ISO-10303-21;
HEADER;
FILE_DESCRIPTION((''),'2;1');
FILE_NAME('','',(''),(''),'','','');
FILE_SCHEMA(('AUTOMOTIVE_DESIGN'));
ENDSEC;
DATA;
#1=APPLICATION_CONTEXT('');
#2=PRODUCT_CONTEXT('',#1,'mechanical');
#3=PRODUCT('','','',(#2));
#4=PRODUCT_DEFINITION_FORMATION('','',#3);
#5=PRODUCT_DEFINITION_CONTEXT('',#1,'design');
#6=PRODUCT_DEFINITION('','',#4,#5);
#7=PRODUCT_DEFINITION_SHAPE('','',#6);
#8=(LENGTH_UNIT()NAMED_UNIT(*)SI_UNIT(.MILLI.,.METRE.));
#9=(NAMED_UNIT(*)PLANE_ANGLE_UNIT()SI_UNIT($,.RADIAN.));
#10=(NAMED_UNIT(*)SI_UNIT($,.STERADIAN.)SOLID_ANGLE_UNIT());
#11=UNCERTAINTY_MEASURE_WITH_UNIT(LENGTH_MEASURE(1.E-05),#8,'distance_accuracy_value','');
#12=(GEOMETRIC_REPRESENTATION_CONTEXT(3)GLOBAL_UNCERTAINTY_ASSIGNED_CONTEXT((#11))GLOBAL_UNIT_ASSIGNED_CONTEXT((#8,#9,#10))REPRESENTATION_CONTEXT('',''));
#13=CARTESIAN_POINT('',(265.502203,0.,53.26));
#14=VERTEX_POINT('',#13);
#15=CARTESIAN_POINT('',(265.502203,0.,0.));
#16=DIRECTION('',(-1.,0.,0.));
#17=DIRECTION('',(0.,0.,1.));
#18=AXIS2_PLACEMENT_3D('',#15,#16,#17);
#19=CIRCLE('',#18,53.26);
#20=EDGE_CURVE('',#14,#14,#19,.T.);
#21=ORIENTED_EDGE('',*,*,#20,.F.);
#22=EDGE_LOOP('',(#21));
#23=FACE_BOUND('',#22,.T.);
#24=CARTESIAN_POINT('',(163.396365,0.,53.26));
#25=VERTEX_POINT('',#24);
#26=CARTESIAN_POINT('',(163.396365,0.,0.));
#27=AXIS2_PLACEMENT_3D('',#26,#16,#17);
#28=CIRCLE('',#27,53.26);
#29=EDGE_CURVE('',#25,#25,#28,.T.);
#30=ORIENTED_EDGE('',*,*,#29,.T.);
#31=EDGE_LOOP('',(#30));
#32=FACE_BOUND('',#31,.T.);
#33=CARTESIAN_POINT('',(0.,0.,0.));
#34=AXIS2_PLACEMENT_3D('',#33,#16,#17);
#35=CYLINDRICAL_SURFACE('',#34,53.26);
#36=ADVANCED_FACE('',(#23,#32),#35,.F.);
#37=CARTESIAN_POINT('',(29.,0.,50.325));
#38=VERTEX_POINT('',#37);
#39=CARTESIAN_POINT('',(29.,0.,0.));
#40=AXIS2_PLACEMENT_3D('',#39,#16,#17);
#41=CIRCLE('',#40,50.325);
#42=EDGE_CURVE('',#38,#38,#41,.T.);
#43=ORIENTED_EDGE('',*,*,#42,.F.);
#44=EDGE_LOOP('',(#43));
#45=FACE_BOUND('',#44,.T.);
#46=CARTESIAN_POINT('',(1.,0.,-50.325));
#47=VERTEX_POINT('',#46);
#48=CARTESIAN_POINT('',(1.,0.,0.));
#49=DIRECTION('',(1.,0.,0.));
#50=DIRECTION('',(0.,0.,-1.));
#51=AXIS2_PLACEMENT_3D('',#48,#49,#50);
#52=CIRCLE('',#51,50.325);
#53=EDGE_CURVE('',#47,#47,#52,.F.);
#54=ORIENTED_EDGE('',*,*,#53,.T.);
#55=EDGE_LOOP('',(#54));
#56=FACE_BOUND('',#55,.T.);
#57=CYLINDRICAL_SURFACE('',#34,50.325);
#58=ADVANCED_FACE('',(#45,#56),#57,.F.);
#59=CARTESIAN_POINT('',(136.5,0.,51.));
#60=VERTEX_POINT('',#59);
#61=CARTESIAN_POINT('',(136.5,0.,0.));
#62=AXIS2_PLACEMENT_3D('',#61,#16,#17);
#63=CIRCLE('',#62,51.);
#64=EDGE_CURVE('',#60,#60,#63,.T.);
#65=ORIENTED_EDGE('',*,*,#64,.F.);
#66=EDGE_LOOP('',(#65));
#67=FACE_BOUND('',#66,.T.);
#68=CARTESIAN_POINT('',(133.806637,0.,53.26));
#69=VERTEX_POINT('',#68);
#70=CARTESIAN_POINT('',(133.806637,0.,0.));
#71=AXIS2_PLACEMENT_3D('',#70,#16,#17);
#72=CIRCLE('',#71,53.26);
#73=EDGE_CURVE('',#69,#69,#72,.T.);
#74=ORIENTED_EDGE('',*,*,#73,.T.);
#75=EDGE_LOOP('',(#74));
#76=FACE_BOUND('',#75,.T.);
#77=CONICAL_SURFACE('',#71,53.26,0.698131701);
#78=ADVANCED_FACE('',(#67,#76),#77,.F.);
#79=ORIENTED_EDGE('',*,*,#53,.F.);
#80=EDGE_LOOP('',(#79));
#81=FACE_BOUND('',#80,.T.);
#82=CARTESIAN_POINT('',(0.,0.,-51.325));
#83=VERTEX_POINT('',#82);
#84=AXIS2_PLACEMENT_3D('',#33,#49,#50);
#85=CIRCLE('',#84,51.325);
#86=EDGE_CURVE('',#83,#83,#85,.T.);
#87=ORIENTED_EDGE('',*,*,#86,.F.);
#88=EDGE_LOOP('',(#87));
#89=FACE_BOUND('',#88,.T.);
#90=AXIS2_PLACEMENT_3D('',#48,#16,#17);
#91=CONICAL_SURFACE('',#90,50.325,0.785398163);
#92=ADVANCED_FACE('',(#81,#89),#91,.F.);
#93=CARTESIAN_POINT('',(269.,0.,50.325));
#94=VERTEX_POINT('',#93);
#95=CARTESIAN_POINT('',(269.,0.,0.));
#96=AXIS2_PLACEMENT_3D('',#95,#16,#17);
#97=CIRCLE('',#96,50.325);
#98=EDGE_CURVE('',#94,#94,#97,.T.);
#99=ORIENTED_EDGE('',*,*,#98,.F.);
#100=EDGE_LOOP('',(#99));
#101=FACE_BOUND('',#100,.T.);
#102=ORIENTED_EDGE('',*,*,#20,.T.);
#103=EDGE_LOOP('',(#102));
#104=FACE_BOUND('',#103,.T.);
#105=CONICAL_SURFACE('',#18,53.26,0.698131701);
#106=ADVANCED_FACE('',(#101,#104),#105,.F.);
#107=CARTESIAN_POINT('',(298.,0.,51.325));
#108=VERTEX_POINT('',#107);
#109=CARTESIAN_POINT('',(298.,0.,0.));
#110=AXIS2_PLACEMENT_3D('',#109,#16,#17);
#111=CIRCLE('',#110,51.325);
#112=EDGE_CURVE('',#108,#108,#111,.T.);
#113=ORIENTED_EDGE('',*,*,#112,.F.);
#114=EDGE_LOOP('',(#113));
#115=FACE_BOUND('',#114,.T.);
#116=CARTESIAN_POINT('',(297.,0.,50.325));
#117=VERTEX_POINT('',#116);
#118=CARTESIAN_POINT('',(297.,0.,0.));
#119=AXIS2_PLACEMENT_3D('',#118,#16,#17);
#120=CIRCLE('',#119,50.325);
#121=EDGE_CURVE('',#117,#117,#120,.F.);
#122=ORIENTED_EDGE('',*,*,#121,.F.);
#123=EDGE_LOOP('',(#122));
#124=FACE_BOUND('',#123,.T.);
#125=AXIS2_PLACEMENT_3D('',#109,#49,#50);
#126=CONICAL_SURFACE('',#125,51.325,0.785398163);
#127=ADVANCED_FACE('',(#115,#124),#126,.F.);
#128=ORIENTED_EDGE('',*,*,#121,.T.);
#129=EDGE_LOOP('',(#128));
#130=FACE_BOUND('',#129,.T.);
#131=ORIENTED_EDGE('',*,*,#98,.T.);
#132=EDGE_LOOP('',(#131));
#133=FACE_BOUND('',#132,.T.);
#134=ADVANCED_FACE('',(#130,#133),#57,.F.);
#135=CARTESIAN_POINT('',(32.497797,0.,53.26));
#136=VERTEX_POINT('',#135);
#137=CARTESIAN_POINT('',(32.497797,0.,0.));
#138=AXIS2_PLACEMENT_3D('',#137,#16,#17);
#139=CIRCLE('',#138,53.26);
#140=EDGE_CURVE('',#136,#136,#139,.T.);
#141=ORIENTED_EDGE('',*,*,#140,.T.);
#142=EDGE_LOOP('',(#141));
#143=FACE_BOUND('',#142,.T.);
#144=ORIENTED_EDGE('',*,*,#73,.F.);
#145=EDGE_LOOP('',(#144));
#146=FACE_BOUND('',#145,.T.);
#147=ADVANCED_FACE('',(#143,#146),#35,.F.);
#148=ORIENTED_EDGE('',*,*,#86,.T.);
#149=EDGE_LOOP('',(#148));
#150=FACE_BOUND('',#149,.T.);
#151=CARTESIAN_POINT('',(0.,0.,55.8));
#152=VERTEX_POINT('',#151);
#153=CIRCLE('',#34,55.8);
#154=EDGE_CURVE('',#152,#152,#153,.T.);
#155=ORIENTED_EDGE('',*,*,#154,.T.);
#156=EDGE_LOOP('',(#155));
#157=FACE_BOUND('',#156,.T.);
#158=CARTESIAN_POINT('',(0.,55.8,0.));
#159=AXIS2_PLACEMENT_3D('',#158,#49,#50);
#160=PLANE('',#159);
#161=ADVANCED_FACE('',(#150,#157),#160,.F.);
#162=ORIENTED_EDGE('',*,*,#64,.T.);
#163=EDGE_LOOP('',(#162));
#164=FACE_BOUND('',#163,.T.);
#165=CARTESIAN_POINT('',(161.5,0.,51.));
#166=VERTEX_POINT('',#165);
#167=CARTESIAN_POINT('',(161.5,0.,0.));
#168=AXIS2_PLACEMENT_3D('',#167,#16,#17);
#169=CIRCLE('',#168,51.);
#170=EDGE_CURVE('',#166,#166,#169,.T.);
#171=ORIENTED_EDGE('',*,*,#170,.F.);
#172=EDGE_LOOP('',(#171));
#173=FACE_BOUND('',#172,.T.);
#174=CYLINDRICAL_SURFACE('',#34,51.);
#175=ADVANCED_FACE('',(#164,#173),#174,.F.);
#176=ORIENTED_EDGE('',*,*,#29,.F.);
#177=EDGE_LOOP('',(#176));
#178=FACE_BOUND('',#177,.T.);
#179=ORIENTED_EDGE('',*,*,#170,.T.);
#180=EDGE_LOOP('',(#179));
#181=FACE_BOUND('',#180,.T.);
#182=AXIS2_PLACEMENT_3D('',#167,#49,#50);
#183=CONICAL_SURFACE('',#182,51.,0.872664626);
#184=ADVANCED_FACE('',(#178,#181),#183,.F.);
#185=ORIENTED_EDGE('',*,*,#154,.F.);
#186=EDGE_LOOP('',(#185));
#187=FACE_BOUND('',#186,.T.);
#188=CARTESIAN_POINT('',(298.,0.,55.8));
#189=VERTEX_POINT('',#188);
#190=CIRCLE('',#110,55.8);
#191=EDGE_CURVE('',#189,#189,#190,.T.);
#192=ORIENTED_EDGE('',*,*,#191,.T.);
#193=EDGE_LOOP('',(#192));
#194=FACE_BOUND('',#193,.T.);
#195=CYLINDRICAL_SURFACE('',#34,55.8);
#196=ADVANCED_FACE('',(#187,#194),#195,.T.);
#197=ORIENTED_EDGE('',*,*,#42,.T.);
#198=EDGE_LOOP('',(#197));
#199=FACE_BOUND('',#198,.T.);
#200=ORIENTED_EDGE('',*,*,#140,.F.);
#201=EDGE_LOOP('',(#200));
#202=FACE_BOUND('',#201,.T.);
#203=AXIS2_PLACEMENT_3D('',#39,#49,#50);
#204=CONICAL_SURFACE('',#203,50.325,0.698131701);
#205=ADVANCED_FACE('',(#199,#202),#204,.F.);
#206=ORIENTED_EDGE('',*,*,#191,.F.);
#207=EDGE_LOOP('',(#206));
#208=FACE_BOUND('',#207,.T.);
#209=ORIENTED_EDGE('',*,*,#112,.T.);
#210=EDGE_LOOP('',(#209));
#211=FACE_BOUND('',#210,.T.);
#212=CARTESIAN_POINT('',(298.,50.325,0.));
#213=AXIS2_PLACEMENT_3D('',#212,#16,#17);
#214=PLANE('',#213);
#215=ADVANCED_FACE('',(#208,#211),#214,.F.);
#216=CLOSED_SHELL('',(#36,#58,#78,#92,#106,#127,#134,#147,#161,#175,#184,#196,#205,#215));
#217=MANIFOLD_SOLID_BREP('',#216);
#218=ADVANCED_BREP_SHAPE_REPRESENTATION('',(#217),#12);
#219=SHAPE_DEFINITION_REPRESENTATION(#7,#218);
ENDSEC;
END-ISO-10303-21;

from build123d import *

# Parameters (mm, degrees)
CHAMFER1_SIZE = 1


with BuildPart() as part:
    # Sketch1 → Revolve1 (revolve)
    with BuildSketch(Plane.XY, mode=Mode.PRIVATE) as revolve1_sk:
        Polygon((0, 55.8), (298, 55.8), (298, 50.325), (269, 50.325), (265.502203206, 53.26), (163.396365166, 53.26), (161.5, 51), (136.5, 51), (133.806636881, 53.26), (32.497796794, 53.26), (29, 50.325), (0, 50.325), align=None)
    revolve(revolve1_sk.sketch.rotate(Axis((0, 0, 0), (1, 0, 0)), 90), axis=Axis((0, 0, 0), (1, 0, 0)))

    # Chamfer1
    chamfer1_edges = [part.edges().sort_by_distance(p)[0] for p in [
        (0, 0, -50.325),
        (298, 0, -50.325),
    ]]
    chamfer(chamfer1_edges, length=CHAMFER1_SIZE)


solid = part.part
